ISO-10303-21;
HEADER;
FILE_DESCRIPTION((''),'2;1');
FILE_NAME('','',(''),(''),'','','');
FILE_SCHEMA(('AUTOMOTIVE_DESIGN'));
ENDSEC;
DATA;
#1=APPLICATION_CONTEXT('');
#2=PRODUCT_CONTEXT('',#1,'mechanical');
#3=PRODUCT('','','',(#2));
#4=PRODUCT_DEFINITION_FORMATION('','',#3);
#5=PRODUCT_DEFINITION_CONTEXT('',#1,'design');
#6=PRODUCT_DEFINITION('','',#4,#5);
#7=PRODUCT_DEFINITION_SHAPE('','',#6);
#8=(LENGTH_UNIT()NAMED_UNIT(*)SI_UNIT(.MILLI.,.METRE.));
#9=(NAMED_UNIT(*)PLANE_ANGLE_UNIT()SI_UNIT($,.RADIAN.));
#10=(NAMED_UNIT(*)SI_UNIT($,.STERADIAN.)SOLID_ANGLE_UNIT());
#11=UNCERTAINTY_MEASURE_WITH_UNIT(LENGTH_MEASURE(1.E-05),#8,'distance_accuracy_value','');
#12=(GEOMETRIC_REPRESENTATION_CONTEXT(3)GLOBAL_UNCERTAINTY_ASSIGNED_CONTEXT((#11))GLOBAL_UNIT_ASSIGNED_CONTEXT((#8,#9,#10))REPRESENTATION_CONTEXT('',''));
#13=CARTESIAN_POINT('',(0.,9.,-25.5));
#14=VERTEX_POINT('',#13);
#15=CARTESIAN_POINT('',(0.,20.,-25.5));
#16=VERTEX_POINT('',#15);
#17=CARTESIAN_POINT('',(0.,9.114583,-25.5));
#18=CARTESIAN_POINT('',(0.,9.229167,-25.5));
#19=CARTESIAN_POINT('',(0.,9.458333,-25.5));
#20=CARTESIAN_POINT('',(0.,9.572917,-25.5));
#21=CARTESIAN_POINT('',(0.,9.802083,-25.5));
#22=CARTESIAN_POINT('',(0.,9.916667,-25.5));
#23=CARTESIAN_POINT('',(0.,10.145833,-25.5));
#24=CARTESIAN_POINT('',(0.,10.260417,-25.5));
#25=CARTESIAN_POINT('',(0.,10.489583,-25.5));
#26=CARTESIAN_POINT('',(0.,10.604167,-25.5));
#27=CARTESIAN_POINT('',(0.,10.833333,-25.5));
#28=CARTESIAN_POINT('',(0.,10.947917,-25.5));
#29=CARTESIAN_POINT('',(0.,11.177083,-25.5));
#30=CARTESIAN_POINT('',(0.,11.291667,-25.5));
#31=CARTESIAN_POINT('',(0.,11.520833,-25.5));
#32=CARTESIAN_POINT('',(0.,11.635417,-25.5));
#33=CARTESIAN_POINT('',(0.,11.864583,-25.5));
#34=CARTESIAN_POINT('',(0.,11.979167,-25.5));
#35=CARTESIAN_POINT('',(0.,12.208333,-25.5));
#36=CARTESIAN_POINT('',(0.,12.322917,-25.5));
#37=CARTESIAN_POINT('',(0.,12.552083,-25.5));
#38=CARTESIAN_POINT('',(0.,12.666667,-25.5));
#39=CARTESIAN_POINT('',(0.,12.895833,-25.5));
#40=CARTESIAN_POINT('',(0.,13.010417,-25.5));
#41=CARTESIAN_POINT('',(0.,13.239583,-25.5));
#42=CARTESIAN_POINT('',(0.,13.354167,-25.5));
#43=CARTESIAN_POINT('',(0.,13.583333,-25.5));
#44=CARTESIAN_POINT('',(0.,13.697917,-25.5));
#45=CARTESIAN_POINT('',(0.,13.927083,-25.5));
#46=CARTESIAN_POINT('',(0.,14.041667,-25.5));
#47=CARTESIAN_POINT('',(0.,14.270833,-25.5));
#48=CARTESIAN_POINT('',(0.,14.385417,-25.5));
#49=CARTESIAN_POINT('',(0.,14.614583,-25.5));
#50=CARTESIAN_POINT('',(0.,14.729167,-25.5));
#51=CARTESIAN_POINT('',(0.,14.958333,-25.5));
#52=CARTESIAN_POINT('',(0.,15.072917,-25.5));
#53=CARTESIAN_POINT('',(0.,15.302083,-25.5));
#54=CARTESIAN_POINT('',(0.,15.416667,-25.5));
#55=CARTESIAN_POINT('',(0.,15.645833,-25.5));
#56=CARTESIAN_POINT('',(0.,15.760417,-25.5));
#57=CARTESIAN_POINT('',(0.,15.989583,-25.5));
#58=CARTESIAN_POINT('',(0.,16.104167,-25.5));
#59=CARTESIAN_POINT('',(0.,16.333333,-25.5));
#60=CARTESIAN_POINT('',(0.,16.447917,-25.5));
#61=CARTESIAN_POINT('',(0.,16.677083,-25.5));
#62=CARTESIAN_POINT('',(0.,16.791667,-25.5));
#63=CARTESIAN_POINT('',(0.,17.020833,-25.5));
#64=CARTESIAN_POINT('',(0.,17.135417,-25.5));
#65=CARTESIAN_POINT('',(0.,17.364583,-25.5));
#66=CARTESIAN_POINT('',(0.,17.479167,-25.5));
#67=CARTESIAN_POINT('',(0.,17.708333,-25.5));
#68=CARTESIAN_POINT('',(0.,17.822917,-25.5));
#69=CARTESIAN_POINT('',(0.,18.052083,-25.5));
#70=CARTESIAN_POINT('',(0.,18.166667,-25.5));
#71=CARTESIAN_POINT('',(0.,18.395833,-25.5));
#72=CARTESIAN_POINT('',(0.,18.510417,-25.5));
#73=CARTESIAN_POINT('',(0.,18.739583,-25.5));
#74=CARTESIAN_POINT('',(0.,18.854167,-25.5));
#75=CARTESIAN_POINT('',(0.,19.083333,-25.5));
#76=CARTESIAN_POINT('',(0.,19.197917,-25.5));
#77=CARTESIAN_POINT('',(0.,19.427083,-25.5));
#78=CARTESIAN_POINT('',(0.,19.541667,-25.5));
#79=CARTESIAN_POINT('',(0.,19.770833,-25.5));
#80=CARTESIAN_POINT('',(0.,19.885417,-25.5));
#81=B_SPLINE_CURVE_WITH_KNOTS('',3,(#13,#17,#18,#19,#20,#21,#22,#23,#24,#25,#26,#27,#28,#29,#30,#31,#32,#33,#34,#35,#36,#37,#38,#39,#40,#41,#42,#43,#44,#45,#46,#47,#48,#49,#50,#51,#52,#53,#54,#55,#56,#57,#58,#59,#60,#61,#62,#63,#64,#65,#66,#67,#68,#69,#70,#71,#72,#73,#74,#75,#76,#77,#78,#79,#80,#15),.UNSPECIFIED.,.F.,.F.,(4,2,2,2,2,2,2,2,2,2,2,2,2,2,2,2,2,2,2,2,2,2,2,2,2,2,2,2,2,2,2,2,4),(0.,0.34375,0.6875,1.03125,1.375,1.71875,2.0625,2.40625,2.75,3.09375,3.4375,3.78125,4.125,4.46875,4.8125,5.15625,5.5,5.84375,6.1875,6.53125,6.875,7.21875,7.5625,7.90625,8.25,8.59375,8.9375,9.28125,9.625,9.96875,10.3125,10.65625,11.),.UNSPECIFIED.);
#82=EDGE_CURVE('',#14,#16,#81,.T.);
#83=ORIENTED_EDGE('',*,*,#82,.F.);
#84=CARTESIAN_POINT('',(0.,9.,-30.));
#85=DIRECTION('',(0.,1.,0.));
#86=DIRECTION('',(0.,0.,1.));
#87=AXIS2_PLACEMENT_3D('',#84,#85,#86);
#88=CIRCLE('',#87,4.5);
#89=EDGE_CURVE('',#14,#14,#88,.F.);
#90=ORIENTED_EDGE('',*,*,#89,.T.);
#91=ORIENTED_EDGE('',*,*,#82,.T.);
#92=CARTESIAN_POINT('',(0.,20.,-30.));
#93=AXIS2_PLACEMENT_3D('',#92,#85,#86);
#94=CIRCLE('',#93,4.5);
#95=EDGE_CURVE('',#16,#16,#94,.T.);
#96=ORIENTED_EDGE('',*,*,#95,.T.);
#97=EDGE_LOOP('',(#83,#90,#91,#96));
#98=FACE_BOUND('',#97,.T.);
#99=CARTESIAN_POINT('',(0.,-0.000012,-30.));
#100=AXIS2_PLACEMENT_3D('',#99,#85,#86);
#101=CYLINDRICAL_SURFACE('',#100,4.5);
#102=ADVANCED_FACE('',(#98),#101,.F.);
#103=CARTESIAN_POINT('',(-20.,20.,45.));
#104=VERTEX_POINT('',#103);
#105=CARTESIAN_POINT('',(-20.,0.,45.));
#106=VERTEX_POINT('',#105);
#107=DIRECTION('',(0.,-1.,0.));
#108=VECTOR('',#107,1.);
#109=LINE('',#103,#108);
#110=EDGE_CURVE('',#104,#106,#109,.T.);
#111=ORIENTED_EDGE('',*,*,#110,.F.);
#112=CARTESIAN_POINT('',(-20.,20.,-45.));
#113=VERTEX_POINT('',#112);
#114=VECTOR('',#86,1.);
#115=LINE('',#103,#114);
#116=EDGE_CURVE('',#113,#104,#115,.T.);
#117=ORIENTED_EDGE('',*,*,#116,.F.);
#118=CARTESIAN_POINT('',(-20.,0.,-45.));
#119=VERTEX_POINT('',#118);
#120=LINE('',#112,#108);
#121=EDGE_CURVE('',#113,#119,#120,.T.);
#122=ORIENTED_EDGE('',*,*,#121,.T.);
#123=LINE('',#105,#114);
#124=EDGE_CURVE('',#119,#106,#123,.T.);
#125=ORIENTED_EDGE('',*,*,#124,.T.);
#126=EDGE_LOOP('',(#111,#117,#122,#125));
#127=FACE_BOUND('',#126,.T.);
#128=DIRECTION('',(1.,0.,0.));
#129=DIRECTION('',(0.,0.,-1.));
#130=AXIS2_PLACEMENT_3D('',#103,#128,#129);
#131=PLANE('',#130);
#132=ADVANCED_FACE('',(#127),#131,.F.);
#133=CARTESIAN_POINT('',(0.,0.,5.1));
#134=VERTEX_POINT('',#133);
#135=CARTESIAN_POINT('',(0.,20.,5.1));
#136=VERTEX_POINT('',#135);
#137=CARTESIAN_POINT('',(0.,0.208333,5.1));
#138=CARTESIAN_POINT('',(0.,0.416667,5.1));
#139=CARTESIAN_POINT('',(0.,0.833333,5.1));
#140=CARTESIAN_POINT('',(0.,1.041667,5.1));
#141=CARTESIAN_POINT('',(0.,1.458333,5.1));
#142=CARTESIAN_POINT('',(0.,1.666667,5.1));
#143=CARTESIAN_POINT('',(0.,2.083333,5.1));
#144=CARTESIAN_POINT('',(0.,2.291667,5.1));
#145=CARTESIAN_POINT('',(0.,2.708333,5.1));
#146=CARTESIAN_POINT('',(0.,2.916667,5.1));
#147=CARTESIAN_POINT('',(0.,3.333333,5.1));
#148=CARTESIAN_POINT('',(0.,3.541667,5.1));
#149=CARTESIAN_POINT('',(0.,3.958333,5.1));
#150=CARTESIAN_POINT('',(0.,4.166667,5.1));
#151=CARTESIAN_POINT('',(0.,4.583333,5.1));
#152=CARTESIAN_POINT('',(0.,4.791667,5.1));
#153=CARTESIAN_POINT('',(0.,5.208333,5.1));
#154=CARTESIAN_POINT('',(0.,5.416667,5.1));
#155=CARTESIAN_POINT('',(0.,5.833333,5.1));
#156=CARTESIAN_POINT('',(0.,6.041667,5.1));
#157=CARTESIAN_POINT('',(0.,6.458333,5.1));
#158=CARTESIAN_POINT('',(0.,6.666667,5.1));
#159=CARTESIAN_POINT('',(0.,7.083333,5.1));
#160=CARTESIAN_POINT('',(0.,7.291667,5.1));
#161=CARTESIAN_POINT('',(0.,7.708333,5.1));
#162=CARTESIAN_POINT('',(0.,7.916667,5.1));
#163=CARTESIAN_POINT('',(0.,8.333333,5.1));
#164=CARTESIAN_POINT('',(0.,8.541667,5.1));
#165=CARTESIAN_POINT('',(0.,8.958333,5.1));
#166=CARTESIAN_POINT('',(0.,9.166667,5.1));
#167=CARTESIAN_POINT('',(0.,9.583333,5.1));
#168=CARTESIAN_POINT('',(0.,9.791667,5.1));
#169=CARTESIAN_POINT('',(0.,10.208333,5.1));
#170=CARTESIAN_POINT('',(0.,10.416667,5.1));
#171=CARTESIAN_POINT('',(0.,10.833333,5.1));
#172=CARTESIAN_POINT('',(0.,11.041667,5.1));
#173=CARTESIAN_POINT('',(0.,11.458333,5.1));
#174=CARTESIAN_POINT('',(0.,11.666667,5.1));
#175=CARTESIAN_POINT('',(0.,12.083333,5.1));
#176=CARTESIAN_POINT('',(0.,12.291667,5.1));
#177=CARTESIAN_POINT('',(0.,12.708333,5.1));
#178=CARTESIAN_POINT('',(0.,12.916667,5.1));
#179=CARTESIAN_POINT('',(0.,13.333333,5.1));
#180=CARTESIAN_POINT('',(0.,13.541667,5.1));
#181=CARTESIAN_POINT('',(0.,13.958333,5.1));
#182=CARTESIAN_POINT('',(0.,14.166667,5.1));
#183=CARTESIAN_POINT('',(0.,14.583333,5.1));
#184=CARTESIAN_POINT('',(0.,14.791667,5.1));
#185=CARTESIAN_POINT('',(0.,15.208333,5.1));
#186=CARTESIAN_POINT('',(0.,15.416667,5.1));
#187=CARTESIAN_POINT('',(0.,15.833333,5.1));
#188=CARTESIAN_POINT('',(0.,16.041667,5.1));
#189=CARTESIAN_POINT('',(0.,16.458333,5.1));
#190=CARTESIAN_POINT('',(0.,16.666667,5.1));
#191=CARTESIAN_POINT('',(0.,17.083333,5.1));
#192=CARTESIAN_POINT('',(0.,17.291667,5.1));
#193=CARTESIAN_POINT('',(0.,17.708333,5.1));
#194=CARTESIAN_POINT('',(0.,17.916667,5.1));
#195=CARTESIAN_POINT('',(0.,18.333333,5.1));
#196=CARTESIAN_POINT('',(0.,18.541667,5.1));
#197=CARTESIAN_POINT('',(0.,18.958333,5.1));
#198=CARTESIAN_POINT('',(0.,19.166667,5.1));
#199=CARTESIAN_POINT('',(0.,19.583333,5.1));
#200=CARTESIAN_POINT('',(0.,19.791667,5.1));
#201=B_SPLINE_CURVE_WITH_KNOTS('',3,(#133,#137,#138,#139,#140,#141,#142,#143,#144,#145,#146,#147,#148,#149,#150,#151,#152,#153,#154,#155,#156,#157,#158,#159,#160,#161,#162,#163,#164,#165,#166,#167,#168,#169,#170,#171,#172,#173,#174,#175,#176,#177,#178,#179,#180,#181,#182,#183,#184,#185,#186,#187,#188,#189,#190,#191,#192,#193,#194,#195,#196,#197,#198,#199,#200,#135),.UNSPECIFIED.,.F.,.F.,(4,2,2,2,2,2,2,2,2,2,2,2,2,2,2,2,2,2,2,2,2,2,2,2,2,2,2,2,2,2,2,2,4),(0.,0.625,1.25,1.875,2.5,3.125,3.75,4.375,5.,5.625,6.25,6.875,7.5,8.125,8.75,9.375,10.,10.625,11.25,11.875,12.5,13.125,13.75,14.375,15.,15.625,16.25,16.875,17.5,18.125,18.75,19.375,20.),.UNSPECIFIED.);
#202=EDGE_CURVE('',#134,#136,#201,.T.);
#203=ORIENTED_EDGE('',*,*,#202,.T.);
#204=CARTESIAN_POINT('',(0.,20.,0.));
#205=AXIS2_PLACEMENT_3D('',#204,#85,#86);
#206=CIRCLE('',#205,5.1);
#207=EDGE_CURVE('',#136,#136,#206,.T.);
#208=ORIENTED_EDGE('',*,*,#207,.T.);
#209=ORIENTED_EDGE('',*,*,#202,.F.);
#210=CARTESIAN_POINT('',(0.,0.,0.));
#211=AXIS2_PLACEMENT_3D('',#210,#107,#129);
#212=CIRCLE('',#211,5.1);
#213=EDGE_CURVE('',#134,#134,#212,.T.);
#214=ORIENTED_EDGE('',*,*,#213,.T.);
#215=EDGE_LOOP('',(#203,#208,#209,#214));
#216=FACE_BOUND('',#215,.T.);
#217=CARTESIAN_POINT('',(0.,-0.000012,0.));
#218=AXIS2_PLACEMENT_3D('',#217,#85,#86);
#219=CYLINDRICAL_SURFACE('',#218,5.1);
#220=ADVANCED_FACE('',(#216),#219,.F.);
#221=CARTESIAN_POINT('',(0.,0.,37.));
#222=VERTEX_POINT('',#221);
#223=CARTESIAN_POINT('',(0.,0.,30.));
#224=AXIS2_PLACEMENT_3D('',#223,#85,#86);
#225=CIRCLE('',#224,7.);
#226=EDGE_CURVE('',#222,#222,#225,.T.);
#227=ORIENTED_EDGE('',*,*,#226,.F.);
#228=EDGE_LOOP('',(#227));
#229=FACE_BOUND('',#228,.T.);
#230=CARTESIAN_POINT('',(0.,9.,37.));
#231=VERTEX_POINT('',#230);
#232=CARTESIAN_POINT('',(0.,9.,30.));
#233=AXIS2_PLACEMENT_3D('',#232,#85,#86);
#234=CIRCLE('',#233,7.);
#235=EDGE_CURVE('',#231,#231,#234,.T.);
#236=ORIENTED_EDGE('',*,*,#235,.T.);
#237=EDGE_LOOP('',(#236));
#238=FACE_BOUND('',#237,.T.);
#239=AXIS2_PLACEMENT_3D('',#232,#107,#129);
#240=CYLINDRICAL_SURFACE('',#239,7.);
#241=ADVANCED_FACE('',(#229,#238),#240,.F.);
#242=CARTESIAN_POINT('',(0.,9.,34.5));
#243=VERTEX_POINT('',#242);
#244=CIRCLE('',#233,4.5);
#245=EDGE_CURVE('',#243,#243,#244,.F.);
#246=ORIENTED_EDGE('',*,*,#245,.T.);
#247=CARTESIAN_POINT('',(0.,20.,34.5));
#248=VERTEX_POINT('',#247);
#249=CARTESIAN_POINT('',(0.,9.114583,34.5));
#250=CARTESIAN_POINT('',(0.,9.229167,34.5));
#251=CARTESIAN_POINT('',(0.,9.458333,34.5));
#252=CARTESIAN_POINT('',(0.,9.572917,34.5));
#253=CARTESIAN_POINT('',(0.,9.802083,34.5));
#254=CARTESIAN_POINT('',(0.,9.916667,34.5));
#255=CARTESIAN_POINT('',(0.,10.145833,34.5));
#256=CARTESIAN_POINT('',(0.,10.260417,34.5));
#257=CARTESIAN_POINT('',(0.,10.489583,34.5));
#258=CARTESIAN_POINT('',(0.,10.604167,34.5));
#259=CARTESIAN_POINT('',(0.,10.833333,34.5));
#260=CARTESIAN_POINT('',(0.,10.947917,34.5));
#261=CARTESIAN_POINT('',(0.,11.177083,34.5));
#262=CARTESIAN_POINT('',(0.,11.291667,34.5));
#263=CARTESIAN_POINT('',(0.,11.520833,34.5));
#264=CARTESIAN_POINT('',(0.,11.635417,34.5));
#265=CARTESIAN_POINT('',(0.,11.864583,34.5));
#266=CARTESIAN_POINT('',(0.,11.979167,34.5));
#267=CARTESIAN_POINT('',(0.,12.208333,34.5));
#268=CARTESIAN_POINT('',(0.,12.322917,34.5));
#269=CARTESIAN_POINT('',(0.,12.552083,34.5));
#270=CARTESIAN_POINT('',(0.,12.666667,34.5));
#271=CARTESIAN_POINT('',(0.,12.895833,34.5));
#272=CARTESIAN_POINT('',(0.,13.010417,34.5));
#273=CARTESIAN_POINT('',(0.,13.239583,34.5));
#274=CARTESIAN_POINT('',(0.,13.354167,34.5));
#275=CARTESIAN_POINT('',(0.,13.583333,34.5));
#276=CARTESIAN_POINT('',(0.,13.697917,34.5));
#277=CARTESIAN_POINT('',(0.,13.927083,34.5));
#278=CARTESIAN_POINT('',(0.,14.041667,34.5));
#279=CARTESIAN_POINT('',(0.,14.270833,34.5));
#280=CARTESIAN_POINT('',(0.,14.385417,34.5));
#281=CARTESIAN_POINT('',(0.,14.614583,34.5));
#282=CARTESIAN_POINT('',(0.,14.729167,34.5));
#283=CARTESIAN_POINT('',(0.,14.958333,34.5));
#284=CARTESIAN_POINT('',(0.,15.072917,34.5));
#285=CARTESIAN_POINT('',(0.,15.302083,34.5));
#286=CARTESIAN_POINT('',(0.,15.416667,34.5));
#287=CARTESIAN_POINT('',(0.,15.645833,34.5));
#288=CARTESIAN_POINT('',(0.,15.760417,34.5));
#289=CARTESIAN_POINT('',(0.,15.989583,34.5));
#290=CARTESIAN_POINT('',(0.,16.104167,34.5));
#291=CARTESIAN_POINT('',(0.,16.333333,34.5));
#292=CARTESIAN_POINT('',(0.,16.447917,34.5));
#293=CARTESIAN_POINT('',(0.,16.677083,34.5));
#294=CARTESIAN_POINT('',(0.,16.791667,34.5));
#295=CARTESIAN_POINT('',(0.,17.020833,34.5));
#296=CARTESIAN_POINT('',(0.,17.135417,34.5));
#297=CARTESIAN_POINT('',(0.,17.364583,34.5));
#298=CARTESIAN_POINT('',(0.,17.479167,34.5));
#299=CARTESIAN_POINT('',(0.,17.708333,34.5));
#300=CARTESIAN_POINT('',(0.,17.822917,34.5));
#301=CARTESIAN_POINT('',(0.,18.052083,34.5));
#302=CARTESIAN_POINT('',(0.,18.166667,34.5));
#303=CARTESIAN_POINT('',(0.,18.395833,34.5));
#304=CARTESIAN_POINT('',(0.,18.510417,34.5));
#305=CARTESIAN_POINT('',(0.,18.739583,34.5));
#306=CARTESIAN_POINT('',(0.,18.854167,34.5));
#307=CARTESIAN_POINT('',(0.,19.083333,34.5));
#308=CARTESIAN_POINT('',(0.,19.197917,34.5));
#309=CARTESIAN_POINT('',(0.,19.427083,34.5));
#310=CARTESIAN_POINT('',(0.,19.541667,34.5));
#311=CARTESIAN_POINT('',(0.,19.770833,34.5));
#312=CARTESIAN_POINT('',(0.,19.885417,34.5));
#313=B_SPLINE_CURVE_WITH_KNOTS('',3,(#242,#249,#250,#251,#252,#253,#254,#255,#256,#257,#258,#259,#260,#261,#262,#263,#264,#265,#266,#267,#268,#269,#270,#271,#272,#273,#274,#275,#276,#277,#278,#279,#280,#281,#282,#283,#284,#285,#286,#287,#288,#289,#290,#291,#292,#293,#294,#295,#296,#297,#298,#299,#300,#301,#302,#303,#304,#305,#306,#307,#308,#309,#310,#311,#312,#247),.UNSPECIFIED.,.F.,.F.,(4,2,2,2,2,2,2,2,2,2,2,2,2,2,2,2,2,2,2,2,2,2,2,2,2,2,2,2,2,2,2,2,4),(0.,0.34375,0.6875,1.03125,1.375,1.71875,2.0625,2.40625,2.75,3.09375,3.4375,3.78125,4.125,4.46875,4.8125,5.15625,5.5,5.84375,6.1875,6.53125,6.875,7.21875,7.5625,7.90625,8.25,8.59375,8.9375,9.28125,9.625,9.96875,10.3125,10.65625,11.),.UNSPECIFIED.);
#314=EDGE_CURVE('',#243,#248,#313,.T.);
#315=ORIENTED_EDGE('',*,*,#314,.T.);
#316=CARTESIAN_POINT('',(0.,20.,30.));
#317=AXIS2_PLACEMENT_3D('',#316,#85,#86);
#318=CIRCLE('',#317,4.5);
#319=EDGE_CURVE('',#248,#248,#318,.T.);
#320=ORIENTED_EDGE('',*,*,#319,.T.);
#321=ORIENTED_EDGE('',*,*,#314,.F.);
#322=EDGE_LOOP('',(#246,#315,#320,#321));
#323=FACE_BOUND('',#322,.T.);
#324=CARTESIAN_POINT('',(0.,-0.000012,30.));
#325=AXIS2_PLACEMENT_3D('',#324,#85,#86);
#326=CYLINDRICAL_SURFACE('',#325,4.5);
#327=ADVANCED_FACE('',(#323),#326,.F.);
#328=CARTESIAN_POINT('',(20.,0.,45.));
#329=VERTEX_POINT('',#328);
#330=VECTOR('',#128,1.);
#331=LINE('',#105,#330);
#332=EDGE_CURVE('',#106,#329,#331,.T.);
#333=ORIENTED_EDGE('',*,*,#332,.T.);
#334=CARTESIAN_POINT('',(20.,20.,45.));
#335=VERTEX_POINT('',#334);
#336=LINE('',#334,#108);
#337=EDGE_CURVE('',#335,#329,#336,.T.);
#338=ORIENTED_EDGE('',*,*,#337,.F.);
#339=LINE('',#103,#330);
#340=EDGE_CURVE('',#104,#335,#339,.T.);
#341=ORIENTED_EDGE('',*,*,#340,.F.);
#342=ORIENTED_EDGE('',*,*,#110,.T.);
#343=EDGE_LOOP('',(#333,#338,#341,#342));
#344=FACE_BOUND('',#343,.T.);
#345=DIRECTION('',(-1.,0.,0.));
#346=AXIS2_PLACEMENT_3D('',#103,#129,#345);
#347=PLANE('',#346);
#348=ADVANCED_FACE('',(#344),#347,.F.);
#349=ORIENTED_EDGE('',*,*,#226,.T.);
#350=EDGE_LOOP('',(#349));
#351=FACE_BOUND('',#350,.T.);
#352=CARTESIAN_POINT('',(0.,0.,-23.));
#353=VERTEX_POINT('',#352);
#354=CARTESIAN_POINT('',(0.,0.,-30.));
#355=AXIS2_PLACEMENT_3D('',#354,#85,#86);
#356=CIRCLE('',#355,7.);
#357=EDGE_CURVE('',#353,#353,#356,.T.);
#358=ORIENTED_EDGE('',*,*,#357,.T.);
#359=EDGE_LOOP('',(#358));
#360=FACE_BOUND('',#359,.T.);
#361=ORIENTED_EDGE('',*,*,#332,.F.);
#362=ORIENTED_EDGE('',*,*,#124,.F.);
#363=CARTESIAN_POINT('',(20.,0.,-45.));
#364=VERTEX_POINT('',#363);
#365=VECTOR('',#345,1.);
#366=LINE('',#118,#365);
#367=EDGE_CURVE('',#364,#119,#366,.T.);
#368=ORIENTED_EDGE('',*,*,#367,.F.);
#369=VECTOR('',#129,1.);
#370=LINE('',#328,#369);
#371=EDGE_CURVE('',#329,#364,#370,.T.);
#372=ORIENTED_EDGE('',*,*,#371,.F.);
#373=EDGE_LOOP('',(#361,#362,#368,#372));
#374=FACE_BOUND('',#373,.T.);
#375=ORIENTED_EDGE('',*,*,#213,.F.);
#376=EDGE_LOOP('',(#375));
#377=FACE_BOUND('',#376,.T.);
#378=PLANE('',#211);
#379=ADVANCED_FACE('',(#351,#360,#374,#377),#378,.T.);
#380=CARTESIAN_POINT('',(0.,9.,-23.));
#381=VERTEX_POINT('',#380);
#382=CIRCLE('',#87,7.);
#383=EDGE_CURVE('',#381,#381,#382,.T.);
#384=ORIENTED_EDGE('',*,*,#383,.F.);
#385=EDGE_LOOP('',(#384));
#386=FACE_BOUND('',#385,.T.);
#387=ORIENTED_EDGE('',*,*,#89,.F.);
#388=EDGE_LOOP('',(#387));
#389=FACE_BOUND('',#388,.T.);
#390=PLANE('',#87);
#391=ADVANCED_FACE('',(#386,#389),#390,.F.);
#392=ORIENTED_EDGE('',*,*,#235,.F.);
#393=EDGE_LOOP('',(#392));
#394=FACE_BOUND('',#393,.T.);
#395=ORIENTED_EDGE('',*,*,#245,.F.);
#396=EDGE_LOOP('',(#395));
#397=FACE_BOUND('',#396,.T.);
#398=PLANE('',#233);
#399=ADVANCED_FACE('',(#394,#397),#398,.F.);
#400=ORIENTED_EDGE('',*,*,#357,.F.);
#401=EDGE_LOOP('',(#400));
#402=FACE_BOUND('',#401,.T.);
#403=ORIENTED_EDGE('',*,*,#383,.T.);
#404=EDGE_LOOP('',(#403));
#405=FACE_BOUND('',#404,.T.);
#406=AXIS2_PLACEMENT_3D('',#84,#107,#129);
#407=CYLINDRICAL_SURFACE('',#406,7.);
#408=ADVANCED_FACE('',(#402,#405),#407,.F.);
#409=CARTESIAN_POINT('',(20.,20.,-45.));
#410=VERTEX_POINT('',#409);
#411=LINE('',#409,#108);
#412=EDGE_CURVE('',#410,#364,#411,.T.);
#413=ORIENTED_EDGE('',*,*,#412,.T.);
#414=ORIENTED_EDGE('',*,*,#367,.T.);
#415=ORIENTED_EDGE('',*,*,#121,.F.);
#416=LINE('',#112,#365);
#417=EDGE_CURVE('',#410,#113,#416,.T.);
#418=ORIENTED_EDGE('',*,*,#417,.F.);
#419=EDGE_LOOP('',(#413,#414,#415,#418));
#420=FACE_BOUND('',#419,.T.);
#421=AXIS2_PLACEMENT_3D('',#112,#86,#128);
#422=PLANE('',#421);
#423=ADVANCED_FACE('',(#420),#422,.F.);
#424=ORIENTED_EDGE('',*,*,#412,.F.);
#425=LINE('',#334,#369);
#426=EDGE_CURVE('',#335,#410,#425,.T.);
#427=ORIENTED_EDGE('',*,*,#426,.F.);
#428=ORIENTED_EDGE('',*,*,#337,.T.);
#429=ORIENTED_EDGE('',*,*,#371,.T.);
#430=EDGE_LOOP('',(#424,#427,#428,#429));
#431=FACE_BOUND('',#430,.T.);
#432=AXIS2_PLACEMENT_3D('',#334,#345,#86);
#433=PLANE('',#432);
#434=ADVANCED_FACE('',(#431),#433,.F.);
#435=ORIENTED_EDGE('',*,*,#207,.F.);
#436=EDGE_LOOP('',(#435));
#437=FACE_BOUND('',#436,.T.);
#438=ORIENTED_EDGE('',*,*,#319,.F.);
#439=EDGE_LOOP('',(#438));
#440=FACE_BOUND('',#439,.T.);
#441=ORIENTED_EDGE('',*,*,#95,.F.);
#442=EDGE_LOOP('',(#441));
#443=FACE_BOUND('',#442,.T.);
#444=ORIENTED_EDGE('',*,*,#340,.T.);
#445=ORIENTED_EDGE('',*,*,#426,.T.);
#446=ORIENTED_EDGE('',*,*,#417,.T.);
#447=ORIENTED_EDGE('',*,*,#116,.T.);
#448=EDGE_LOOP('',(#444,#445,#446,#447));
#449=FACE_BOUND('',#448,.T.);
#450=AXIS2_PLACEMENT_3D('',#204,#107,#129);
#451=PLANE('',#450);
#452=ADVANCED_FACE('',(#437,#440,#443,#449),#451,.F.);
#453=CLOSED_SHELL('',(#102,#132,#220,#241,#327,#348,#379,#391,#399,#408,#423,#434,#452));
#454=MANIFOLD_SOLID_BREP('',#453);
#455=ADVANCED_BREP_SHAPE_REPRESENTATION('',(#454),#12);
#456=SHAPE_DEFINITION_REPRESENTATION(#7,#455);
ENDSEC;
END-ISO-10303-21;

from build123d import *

# Parameters (mm, degrees)
SKETCH1_W               = 40
SKETCH1_H               = 90
BOSS_EXTRUDE1_DEPTH     = 20
CUT_EXTRUDE1_DEPTH      = 54.150729064
CUT_EXTRUDE1_DEPTH_BACK = 54.150729064
SKETCH2_R               = 5.1
CUT_EXTRUDE2_DEPTH      = 54.150729064
CUT_EXTRUDE2_DEPTH_BACK = 54.150729064
SKETCH3_R               = 4.5
SKETCH4_R               = 7
CUT_EXTRUDE4_DEPTH      = 9


with BuildPart() as part:
    # Sketch1 → Boss-Extrude1 (new body)
    with BuildSketch(Plane(origin=(0, 0, 0), x_dir=(1, 0, 0), z_dir=(0, 1, 0))):
        Rectangle(SKETCH1_W, SKETCH1_H)
    extrude(amount=BOSS_EXTRUDE1_DEPTH)

    # Sketch2 → Cut-Extrude1 (cut, two sides: drawn at the far end of the back side and taken through both)
    with BuildSketch(Plane(origin=(0, 0, 0), x_dir=(1, 0, 0), z_dir=(0, 1, 0)).offset(-CUT_EXTRUDE1_DEPTH_BACK)):
        with Locations(Location((0, 0, 0), (0, 0, 270))):
            Circle(SKETCH2_R)
    extrude(amount=CUT_EXTRUDE1_DEPTH + CUT_EXTRUDE1_DEPTH_BACK, mode=Mode.SUBTRACT)

    # Sketch3 → Cut-Extrude2 (cut, two sides: drawn at the far end of the back side and taken through both)
    with BuildSketch(Plane(origin=(0, 0, 0), x_dir=(1, 0, 0), z_dir=(0, 1, 0)).offset(-CUT_EXTRUDE2_DEPTH_BACK)):
        with Locations(Location((0, -30, 0), (0, 0, 270))):
            Circle(SKETCH3_R)
        with Locations(Location((0, 30, 0), (0, 0, 270))):
            Circle(SKETCH3_R)
    extrude(amount=CUT_EXTRUDE2_DEPTH + CUT_EXTRUDE2_DEPTH_BACK, mode=Mode.SUBTRACT)

    # Sketch4 → Cut-Extrude4 (cut)
    with BuildSketch(Plane(origin=(0, 0, 0), x_dir=(1, 0, 0), z_dir=(0, 1, 0))):
        with Locations(Location((0, -30, 0), (0, 0, 270))):
            Circle(SKETCH4_R)
        with Locations(Location((0, 30, 0), (0, 0, 270))):
            Circle(SKETCH4_R)
    extrude(amount=CUT_EXTRUDE4_DEPTH, mode=Mode.SUBTRACT)


solid = part.part
